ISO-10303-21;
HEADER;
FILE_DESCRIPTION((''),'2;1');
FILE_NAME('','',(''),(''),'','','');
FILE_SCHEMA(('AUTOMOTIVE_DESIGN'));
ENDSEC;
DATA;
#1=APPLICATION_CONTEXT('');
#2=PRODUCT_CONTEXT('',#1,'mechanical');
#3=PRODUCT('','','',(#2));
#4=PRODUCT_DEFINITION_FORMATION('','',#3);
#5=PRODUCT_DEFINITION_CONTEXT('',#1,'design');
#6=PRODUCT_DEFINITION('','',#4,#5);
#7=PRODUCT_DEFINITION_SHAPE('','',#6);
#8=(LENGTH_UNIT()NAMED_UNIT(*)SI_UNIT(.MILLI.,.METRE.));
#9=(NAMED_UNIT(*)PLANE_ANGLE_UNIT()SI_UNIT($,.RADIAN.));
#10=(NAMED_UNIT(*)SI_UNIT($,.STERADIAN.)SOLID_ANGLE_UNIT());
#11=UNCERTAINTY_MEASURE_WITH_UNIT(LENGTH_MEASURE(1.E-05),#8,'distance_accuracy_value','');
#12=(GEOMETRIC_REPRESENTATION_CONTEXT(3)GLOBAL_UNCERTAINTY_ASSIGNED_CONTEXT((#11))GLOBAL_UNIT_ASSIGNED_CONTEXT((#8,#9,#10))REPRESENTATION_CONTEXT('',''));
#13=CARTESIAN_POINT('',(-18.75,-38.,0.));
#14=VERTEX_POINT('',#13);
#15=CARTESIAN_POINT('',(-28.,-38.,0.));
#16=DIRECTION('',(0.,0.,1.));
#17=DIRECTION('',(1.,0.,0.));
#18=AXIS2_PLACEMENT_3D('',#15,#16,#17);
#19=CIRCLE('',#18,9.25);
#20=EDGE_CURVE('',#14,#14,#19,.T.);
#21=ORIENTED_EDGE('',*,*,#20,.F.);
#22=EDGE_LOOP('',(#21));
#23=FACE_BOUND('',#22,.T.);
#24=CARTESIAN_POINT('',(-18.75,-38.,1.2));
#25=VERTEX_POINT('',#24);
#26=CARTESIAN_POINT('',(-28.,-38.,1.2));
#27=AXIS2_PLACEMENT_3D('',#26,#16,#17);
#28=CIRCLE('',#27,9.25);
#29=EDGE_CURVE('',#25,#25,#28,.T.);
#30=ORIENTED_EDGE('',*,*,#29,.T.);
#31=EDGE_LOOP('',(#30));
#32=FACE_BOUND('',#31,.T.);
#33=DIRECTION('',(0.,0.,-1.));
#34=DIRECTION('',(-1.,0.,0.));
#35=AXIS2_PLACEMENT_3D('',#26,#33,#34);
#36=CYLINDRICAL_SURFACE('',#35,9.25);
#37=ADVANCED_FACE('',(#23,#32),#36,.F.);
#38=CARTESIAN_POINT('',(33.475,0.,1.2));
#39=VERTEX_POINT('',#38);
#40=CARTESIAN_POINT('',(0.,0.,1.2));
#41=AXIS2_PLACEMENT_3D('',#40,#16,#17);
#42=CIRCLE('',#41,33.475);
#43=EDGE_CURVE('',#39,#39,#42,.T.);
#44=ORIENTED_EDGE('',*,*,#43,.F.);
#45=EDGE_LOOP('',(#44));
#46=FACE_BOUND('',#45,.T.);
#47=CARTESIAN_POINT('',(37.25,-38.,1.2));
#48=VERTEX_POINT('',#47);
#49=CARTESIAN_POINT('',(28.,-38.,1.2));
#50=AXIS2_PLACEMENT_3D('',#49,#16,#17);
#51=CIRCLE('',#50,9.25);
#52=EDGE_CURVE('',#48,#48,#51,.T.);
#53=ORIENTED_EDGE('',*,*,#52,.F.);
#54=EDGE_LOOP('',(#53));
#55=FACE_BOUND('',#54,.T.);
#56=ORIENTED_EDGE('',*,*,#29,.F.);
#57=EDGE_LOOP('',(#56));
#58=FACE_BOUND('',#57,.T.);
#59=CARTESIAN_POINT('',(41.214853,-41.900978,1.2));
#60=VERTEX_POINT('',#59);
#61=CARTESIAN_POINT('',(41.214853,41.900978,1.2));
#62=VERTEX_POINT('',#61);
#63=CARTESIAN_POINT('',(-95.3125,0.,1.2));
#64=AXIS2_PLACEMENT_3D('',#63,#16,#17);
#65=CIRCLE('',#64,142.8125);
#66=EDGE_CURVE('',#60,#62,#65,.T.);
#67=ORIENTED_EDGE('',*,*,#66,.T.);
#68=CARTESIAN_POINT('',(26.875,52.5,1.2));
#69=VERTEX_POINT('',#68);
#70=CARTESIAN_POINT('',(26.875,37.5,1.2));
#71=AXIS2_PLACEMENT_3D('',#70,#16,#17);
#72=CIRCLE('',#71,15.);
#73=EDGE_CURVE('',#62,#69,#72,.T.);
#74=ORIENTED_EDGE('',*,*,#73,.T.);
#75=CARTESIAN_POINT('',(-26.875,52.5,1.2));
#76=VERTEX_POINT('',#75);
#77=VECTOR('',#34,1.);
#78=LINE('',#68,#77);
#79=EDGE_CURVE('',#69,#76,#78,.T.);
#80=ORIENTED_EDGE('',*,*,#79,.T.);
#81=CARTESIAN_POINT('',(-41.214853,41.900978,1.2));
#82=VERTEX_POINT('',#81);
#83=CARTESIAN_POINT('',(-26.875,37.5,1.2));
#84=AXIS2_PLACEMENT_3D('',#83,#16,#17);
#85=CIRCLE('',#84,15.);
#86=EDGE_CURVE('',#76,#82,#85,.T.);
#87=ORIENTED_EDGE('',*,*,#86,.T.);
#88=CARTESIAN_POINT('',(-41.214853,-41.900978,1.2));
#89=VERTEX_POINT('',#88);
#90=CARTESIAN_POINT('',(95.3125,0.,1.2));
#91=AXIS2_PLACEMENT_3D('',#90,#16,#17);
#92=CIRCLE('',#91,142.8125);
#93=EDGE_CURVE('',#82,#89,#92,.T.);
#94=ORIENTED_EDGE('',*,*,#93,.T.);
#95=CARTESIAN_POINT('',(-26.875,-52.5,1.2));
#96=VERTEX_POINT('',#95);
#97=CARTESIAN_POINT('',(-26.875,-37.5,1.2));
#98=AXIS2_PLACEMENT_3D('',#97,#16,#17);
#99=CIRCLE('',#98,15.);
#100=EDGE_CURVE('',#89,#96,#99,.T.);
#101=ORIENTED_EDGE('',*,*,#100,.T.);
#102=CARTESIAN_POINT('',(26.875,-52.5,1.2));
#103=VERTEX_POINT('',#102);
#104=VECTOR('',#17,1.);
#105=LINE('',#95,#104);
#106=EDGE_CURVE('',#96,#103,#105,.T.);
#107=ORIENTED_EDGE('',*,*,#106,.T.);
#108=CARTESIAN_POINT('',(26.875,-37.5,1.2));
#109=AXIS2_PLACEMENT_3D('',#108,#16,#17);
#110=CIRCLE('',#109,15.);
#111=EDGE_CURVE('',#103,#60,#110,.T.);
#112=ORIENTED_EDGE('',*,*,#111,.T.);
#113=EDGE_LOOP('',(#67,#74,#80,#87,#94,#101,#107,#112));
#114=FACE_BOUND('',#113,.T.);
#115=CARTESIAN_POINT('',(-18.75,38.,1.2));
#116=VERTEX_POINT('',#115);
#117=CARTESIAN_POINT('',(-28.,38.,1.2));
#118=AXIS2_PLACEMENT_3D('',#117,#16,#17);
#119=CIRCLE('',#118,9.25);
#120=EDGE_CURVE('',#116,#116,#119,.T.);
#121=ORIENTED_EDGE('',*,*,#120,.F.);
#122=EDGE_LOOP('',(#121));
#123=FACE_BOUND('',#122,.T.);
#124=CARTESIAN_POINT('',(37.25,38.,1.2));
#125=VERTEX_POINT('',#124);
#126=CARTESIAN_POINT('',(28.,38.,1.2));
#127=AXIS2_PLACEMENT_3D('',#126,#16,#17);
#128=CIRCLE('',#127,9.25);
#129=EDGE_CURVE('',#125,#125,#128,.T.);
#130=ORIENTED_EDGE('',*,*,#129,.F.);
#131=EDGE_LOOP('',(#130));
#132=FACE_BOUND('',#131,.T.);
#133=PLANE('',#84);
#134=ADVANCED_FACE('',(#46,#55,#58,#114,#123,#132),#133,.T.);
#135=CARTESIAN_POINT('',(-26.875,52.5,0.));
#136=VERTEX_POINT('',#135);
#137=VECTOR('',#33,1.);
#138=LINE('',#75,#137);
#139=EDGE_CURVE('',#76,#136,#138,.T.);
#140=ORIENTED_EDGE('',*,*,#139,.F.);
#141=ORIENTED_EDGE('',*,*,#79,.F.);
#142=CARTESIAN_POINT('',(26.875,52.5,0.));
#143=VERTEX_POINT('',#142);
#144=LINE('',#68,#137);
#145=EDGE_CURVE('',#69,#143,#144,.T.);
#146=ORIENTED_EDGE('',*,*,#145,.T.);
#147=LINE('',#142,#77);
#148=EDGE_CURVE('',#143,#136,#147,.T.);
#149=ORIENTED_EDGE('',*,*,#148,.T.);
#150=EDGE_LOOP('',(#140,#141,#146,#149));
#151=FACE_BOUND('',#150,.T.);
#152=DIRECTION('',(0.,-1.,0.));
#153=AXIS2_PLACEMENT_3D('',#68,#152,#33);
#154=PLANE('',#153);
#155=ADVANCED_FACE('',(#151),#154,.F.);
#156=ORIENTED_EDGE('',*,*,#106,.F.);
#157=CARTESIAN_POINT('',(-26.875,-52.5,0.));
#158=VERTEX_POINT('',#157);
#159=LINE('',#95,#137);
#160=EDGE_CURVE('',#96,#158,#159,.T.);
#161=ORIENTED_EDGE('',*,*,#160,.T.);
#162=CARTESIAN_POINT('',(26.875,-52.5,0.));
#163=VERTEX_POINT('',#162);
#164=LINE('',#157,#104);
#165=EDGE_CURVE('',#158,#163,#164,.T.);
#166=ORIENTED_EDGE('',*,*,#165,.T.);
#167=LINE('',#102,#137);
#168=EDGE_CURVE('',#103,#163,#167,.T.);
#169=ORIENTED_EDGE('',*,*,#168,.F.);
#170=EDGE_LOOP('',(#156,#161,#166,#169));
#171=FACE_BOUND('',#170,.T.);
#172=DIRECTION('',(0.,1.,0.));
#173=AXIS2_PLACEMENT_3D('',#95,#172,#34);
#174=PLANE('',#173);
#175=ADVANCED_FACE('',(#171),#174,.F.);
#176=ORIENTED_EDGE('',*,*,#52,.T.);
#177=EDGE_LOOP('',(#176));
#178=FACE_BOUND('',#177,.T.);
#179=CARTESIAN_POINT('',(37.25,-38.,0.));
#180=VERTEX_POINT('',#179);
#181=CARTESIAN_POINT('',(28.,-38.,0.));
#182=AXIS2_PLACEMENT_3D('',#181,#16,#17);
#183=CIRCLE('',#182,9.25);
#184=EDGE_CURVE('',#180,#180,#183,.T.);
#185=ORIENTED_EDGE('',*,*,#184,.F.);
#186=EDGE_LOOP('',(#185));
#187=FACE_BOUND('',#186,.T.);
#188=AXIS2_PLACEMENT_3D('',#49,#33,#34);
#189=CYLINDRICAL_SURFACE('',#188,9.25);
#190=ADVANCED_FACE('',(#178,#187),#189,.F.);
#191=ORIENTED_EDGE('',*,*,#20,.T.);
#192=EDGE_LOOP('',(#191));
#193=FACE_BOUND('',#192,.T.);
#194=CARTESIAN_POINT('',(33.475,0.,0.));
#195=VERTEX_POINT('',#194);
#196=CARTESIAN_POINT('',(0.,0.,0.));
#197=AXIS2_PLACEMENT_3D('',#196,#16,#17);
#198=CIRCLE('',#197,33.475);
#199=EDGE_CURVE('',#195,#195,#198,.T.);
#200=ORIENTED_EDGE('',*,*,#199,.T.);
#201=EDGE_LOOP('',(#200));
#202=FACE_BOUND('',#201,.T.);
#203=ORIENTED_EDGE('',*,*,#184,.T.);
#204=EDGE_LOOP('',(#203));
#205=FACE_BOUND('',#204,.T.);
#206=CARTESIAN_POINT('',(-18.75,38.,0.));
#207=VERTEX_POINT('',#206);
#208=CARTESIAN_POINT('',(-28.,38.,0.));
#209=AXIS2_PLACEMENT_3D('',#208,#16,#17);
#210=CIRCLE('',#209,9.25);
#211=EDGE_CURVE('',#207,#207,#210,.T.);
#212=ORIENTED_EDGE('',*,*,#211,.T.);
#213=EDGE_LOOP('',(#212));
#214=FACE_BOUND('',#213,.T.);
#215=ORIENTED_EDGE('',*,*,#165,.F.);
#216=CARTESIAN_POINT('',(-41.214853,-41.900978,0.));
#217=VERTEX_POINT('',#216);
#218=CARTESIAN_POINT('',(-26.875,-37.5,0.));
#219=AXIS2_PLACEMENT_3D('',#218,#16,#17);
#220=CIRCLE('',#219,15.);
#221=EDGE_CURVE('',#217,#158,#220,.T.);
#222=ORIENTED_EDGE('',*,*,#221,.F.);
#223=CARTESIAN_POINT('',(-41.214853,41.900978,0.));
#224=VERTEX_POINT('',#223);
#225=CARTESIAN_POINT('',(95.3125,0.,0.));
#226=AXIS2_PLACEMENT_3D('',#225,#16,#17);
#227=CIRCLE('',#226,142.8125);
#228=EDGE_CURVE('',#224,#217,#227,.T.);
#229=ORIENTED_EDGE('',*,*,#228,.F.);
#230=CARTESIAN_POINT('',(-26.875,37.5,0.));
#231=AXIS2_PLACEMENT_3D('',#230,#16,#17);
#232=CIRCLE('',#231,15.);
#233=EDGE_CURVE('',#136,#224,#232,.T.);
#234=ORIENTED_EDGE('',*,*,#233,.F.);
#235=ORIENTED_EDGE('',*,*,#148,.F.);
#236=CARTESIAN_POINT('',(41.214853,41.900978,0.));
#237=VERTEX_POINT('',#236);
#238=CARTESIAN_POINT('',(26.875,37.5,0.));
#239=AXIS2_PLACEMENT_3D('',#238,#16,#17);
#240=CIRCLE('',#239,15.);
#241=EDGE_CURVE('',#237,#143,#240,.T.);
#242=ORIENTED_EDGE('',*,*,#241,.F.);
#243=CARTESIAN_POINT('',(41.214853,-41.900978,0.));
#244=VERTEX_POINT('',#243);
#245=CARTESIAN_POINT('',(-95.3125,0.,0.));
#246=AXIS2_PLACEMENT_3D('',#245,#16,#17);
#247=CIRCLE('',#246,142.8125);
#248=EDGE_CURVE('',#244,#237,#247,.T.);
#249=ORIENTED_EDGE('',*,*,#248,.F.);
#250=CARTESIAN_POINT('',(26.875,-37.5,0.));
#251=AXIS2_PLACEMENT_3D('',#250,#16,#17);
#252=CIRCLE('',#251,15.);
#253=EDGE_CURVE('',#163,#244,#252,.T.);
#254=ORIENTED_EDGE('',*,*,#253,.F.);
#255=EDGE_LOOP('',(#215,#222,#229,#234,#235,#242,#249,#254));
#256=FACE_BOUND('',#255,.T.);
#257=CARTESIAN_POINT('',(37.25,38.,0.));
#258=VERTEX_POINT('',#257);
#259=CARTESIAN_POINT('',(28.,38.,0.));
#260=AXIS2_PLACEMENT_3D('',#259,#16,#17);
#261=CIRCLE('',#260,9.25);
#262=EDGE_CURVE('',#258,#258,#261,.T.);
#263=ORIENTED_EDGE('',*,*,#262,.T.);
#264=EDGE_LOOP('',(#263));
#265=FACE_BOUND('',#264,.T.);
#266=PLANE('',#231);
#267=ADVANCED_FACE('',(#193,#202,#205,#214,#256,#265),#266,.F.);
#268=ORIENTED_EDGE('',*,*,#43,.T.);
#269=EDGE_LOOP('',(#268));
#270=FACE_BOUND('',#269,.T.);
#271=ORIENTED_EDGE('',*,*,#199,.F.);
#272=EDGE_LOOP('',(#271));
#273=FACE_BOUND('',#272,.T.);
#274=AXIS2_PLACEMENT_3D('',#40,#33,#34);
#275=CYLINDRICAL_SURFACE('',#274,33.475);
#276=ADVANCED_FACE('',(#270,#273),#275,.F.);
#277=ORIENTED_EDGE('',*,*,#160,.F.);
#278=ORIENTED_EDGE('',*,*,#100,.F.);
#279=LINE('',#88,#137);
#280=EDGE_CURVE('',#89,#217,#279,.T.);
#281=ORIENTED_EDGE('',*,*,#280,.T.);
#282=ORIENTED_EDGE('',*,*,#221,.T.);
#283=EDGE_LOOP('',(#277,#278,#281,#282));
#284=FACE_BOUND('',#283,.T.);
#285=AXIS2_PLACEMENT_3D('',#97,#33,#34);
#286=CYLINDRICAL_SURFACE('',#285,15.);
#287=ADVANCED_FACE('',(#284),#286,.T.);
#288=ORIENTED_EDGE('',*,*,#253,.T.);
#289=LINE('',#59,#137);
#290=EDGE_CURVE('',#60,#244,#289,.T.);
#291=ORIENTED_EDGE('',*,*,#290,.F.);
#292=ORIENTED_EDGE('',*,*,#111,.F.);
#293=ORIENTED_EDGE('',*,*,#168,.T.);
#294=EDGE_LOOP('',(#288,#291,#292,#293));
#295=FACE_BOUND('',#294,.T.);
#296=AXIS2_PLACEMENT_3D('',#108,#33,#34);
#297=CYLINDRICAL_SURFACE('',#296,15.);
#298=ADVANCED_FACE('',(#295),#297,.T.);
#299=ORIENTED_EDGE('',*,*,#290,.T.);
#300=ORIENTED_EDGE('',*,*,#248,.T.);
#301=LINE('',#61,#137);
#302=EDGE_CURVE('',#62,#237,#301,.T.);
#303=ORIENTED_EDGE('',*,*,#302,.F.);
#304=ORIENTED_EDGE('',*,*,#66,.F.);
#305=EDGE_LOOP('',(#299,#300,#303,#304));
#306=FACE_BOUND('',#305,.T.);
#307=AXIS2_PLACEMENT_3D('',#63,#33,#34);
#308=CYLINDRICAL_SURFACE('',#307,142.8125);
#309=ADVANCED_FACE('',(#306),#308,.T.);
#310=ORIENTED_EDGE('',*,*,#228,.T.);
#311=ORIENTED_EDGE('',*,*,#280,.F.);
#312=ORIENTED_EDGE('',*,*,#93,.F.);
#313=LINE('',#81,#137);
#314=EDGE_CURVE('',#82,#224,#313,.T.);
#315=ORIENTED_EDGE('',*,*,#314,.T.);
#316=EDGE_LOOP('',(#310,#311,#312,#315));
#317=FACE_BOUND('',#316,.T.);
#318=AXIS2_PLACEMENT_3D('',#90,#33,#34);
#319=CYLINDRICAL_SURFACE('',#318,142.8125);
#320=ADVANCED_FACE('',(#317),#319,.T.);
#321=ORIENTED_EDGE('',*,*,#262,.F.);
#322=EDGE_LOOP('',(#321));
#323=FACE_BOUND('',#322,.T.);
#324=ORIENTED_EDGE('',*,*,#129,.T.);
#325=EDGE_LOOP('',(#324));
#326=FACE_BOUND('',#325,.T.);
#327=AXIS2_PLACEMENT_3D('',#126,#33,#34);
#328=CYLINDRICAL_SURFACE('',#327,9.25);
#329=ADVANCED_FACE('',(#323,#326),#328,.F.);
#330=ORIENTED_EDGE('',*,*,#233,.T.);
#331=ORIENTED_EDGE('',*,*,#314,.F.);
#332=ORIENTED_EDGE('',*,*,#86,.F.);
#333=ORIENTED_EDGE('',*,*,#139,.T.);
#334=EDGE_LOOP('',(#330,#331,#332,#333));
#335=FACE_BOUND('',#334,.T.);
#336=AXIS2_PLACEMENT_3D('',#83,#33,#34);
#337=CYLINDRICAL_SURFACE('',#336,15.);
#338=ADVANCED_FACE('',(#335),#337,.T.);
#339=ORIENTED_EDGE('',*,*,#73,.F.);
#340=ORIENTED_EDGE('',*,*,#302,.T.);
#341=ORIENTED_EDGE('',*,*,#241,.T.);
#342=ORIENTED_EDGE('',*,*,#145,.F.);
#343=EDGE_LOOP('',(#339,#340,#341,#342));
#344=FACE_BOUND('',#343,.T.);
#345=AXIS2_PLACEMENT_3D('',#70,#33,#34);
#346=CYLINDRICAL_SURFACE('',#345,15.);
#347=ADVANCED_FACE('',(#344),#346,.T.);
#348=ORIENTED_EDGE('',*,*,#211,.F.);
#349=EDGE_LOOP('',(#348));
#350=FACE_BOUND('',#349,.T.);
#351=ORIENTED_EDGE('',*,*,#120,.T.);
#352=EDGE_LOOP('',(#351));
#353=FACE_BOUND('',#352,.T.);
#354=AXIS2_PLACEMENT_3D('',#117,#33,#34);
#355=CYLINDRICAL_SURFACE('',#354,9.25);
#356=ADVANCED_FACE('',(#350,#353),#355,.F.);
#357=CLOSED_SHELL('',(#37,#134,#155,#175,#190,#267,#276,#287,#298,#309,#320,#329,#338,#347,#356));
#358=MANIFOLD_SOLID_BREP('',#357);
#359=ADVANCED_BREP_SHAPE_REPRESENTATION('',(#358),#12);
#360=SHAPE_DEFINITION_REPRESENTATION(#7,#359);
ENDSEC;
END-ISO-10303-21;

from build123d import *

# Parameters (mm, degrees)
SKETCH1_R      = 9.25
SKETCH1_R_2    = 33.475
EXTRUDE2_DEPTH = 1.2


with BuildPart() as part:
    # Sketch1 → Extrude2 (new body)
    with BuildSketch(Plane.XY):
        with BuildLine():
            Line((-26.875, -52.5), (26.875, -52.5))
            ThreePointArc((26.875, -52.5), (35.790865916, -49.562642122), (41.214853301, -41.900977995))
            ThreePointArc((41.214853301, -41.900977995), (47.5, 0), (41.214853301, 41.900977995))
            ThreePointArc((41.214853301, 41.900977995), (35.790865916, 49.562642122), (26.875, 52.5))
            Line((26.875, 52.5), (-26.875, 52.5))
            ThreePointArc((-26.875, 52.5), (-35.790865916, 49.562642122), (-41.214853301, 41.900977995))
            ThreePointArc((-41.214853301, 41.900977995), (-47.5, 0), (-41.214853301, -41.900977995))
            ThreePointArc((-41.214853301, -41.900977995), (-35.790865916, -49.562642122), (-26.875, -52.5))
        make_face()
        with Locations((-28, -38)):
            Circle(SKETCH1_R, mode=Mode.SUBTRACT)
        with Locations((28, -38)):
            Circle(SKETCH1_R, mode=Mode.SUBTRACT)
        with Locations((28, 38)):
            Circle(SKETCH1_R, mode=Mode.SUBTRACT)
        with Locations((-28, 38)):
            Circle(SKETCH1_R, mode=Mode.SUBTRACT)
        Circle(SKETCH1_R_2, mode=Mode.SUBTRACT)
    extrude(amount=EXTRUDE2_DEPTH)


solid = part.part
